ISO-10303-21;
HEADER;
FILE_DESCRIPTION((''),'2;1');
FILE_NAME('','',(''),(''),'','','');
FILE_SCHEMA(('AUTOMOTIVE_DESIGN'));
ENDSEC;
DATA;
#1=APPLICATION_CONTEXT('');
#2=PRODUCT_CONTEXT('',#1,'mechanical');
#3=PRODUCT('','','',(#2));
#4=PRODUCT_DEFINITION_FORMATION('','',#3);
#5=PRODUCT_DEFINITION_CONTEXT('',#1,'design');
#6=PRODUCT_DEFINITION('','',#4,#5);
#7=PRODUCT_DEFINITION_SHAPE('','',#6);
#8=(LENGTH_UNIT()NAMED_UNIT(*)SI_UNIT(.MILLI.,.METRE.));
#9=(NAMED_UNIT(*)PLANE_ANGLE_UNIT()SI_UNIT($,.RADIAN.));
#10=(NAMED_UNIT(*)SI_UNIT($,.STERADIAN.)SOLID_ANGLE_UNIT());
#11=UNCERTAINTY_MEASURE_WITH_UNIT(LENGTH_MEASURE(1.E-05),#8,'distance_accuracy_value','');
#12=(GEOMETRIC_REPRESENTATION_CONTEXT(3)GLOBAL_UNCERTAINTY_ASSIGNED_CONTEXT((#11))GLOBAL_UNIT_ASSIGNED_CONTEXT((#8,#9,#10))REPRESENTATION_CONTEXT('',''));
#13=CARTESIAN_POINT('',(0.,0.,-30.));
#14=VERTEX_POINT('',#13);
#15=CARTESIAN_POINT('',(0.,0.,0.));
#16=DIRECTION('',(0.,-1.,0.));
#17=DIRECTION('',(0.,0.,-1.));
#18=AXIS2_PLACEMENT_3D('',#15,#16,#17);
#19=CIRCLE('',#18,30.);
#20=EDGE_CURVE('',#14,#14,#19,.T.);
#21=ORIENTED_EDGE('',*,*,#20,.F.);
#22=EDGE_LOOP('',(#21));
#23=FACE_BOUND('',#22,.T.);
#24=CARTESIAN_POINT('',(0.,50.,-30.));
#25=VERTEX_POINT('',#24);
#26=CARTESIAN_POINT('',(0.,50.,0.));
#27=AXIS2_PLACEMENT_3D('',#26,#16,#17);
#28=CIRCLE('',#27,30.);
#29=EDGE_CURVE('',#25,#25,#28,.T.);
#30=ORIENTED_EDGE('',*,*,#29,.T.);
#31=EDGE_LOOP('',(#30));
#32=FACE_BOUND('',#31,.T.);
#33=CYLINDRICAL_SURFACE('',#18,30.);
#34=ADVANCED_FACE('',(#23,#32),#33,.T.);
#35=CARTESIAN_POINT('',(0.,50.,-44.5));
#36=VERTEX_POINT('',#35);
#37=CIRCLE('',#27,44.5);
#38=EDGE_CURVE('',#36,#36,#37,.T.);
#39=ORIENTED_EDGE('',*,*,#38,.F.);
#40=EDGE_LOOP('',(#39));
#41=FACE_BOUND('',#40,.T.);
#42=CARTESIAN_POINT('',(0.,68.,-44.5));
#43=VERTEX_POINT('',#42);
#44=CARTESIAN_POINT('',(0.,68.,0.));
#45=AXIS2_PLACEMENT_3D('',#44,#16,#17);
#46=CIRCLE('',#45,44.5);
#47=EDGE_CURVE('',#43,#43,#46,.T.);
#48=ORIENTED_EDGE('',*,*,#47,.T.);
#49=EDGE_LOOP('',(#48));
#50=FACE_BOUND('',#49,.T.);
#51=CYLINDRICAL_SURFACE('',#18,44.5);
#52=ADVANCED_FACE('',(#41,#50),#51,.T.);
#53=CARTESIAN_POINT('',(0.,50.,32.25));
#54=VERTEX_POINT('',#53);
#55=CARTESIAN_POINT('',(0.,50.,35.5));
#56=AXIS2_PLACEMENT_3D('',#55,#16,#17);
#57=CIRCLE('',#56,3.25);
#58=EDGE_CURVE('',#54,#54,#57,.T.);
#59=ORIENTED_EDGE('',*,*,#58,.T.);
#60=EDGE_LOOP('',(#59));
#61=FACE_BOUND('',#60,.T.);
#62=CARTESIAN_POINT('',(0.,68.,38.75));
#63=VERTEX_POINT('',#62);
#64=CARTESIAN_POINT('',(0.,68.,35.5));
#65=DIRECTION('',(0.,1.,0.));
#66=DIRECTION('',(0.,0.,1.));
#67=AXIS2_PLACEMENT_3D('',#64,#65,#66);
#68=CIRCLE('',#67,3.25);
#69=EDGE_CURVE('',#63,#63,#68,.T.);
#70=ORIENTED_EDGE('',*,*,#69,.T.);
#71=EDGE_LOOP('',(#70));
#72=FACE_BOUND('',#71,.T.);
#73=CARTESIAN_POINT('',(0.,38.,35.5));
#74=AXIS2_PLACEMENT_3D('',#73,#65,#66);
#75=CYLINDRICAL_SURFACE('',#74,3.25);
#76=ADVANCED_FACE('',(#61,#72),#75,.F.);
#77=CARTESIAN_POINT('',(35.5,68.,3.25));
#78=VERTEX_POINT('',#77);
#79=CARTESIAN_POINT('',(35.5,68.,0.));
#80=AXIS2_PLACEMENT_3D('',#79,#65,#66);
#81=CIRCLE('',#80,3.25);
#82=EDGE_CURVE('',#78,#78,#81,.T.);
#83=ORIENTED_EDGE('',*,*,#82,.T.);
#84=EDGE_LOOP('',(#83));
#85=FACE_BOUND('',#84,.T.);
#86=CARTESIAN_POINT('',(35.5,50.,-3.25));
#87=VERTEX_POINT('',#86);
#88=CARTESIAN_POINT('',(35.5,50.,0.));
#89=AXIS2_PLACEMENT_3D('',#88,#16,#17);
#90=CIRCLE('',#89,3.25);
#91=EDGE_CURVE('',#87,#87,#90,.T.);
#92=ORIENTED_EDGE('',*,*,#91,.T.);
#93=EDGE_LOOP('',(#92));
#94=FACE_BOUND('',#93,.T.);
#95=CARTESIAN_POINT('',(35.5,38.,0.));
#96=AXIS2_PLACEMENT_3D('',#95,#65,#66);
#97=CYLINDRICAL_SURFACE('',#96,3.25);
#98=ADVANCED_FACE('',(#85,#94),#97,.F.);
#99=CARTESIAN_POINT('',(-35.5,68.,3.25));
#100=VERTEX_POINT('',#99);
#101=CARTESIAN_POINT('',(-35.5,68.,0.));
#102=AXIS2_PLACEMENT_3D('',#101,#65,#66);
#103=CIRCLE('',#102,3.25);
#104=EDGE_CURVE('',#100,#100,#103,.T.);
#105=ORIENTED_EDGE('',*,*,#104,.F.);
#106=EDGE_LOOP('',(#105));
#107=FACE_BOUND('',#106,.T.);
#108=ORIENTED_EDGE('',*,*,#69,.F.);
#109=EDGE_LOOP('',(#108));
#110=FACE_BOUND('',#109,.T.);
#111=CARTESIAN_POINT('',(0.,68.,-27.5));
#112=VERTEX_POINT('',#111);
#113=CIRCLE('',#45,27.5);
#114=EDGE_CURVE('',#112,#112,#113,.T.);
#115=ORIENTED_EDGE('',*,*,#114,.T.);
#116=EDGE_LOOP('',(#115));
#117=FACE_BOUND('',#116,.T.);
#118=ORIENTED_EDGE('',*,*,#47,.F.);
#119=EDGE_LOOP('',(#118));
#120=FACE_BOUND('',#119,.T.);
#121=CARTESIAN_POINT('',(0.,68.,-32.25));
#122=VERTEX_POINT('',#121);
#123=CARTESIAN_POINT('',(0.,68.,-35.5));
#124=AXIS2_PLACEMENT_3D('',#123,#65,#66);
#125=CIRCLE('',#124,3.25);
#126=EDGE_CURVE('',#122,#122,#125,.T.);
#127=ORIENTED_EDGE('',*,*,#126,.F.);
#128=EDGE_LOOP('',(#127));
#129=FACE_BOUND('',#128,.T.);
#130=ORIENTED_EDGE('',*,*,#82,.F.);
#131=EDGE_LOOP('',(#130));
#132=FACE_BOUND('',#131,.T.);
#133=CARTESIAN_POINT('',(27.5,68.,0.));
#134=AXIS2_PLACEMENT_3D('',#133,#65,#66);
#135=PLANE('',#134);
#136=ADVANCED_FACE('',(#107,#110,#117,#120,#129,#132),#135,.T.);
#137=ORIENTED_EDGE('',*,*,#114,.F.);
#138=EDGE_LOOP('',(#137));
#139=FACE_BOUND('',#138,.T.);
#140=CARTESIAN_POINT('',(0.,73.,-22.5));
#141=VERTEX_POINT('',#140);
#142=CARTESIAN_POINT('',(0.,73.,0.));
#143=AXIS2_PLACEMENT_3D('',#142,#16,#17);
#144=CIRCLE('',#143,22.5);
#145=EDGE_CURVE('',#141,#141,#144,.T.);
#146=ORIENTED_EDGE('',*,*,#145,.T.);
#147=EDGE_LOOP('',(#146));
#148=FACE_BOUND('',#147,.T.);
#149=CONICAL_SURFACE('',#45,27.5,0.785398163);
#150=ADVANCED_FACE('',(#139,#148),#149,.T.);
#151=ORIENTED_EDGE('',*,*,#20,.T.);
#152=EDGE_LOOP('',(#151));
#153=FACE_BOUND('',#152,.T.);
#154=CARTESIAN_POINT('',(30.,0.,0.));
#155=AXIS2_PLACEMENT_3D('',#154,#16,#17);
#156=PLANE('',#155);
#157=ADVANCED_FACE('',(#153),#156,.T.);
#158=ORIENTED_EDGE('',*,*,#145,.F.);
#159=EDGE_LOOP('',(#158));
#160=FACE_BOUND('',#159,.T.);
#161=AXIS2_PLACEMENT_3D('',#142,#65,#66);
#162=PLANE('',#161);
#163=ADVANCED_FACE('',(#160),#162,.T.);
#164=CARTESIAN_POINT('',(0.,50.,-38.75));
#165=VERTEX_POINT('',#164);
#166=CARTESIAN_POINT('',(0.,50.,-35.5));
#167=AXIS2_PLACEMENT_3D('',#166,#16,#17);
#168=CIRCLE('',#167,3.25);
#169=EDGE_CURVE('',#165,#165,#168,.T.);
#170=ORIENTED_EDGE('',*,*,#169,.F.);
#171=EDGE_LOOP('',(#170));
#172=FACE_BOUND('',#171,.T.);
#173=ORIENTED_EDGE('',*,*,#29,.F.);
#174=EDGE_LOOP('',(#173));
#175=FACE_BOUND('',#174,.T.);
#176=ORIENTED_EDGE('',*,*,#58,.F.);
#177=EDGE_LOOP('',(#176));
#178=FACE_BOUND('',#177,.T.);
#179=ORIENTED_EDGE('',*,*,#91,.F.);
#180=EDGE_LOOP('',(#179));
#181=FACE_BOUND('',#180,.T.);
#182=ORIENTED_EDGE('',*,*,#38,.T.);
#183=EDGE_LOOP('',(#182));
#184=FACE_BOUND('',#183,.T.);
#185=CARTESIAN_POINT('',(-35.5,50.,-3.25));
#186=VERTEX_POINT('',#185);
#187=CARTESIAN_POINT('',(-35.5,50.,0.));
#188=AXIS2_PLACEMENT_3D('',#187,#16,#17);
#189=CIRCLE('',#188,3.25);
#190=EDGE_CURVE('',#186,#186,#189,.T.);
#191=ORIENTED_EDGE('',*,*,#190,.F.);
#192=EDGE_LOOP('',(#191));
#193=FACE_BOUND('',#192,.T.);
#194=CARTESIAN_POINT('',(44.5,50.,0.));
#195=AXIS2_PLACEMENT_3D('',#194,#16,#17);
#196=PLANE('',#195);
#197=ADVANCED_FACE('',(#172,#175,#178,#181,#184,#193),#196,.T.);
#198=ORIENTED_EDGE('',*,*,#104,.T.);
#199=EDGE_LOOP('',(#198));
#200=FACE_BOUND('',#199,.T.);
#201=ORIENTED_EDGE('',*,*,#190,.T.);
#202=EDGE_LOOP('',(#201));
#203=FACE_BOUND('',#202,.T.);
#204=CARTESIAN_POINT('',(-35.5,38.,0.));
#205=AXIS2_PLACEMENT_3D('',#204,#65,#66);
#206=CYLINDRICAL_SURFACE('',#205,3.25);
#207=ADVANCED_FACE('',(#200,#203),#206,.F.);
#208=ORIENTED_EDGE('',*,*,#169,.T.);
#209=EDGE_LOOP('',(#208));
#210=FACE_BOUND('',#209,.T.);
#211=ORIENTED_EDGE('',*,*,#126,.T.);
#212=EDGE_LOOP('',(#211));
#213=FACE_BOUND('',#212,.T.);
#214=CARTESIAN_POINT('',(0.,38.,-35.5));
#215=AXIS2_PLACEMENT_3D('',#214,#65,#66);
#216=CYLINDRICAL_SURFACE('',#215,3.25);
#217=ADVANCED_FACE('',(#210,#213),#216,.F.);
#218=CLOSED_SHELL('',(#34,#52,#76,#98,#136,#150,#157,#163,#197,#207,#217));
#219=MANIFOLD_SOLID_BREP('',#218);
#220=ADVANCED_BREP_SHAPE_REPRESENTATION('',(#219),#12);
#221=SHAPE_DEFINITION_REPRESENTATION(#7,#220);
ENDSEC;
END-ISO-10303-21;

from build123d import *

# Parameters (mm, degrees)
SKETCH2_R          = 3.25
CUT_EXTRUDE1_DEPTH = 30


with BuildPart() as part:
    # Sketch1 → Revolve1 (revolve)
    with BuildSketch(Plane.XY, mode=Mode.PRIVATE) as revolve1_sk:
        Polygon((0, 73), (22.5, 73), (27.5, 68), (44.5, 68), (44.5, 50), (30, 50), (30, 0), (0, 0), align=None)
    revolve(revolve1_sk.sketch.rotate(Axis((0, 0, 0), (0, 1, 0)), 90), axis=Axis((0, 0, 0), (0, 1, 0)))

    # Sketch2 → Cut-Extrude1 (cut)
    with BuildSketch(Plane(origin=(0, 68, 0), x_dir=(1, 0, 0), z_dir=(0, 1, 0))):
        with Locations(Location((0, 35.5, 0), (0, 0, 270))):
            Circle(SKETCH2_R)
        with Locations(Location((35.5, 0, 0), (0, 0, 270))):
            Circle(SKETCH2_R)
        with Locations(Location((0, -35.5, 0), (0, 0, 270))):
            Circle(SKETCH2_R)
        with Locations(Location((-35.5, 0, 0), (0, 0, 270))):
            Circle(SKETCH2_R)
    extrude(amount=-CUT_EXTRUDE1_DEPTH, mode=Mode.SUBTRACT)


solid = part.part
